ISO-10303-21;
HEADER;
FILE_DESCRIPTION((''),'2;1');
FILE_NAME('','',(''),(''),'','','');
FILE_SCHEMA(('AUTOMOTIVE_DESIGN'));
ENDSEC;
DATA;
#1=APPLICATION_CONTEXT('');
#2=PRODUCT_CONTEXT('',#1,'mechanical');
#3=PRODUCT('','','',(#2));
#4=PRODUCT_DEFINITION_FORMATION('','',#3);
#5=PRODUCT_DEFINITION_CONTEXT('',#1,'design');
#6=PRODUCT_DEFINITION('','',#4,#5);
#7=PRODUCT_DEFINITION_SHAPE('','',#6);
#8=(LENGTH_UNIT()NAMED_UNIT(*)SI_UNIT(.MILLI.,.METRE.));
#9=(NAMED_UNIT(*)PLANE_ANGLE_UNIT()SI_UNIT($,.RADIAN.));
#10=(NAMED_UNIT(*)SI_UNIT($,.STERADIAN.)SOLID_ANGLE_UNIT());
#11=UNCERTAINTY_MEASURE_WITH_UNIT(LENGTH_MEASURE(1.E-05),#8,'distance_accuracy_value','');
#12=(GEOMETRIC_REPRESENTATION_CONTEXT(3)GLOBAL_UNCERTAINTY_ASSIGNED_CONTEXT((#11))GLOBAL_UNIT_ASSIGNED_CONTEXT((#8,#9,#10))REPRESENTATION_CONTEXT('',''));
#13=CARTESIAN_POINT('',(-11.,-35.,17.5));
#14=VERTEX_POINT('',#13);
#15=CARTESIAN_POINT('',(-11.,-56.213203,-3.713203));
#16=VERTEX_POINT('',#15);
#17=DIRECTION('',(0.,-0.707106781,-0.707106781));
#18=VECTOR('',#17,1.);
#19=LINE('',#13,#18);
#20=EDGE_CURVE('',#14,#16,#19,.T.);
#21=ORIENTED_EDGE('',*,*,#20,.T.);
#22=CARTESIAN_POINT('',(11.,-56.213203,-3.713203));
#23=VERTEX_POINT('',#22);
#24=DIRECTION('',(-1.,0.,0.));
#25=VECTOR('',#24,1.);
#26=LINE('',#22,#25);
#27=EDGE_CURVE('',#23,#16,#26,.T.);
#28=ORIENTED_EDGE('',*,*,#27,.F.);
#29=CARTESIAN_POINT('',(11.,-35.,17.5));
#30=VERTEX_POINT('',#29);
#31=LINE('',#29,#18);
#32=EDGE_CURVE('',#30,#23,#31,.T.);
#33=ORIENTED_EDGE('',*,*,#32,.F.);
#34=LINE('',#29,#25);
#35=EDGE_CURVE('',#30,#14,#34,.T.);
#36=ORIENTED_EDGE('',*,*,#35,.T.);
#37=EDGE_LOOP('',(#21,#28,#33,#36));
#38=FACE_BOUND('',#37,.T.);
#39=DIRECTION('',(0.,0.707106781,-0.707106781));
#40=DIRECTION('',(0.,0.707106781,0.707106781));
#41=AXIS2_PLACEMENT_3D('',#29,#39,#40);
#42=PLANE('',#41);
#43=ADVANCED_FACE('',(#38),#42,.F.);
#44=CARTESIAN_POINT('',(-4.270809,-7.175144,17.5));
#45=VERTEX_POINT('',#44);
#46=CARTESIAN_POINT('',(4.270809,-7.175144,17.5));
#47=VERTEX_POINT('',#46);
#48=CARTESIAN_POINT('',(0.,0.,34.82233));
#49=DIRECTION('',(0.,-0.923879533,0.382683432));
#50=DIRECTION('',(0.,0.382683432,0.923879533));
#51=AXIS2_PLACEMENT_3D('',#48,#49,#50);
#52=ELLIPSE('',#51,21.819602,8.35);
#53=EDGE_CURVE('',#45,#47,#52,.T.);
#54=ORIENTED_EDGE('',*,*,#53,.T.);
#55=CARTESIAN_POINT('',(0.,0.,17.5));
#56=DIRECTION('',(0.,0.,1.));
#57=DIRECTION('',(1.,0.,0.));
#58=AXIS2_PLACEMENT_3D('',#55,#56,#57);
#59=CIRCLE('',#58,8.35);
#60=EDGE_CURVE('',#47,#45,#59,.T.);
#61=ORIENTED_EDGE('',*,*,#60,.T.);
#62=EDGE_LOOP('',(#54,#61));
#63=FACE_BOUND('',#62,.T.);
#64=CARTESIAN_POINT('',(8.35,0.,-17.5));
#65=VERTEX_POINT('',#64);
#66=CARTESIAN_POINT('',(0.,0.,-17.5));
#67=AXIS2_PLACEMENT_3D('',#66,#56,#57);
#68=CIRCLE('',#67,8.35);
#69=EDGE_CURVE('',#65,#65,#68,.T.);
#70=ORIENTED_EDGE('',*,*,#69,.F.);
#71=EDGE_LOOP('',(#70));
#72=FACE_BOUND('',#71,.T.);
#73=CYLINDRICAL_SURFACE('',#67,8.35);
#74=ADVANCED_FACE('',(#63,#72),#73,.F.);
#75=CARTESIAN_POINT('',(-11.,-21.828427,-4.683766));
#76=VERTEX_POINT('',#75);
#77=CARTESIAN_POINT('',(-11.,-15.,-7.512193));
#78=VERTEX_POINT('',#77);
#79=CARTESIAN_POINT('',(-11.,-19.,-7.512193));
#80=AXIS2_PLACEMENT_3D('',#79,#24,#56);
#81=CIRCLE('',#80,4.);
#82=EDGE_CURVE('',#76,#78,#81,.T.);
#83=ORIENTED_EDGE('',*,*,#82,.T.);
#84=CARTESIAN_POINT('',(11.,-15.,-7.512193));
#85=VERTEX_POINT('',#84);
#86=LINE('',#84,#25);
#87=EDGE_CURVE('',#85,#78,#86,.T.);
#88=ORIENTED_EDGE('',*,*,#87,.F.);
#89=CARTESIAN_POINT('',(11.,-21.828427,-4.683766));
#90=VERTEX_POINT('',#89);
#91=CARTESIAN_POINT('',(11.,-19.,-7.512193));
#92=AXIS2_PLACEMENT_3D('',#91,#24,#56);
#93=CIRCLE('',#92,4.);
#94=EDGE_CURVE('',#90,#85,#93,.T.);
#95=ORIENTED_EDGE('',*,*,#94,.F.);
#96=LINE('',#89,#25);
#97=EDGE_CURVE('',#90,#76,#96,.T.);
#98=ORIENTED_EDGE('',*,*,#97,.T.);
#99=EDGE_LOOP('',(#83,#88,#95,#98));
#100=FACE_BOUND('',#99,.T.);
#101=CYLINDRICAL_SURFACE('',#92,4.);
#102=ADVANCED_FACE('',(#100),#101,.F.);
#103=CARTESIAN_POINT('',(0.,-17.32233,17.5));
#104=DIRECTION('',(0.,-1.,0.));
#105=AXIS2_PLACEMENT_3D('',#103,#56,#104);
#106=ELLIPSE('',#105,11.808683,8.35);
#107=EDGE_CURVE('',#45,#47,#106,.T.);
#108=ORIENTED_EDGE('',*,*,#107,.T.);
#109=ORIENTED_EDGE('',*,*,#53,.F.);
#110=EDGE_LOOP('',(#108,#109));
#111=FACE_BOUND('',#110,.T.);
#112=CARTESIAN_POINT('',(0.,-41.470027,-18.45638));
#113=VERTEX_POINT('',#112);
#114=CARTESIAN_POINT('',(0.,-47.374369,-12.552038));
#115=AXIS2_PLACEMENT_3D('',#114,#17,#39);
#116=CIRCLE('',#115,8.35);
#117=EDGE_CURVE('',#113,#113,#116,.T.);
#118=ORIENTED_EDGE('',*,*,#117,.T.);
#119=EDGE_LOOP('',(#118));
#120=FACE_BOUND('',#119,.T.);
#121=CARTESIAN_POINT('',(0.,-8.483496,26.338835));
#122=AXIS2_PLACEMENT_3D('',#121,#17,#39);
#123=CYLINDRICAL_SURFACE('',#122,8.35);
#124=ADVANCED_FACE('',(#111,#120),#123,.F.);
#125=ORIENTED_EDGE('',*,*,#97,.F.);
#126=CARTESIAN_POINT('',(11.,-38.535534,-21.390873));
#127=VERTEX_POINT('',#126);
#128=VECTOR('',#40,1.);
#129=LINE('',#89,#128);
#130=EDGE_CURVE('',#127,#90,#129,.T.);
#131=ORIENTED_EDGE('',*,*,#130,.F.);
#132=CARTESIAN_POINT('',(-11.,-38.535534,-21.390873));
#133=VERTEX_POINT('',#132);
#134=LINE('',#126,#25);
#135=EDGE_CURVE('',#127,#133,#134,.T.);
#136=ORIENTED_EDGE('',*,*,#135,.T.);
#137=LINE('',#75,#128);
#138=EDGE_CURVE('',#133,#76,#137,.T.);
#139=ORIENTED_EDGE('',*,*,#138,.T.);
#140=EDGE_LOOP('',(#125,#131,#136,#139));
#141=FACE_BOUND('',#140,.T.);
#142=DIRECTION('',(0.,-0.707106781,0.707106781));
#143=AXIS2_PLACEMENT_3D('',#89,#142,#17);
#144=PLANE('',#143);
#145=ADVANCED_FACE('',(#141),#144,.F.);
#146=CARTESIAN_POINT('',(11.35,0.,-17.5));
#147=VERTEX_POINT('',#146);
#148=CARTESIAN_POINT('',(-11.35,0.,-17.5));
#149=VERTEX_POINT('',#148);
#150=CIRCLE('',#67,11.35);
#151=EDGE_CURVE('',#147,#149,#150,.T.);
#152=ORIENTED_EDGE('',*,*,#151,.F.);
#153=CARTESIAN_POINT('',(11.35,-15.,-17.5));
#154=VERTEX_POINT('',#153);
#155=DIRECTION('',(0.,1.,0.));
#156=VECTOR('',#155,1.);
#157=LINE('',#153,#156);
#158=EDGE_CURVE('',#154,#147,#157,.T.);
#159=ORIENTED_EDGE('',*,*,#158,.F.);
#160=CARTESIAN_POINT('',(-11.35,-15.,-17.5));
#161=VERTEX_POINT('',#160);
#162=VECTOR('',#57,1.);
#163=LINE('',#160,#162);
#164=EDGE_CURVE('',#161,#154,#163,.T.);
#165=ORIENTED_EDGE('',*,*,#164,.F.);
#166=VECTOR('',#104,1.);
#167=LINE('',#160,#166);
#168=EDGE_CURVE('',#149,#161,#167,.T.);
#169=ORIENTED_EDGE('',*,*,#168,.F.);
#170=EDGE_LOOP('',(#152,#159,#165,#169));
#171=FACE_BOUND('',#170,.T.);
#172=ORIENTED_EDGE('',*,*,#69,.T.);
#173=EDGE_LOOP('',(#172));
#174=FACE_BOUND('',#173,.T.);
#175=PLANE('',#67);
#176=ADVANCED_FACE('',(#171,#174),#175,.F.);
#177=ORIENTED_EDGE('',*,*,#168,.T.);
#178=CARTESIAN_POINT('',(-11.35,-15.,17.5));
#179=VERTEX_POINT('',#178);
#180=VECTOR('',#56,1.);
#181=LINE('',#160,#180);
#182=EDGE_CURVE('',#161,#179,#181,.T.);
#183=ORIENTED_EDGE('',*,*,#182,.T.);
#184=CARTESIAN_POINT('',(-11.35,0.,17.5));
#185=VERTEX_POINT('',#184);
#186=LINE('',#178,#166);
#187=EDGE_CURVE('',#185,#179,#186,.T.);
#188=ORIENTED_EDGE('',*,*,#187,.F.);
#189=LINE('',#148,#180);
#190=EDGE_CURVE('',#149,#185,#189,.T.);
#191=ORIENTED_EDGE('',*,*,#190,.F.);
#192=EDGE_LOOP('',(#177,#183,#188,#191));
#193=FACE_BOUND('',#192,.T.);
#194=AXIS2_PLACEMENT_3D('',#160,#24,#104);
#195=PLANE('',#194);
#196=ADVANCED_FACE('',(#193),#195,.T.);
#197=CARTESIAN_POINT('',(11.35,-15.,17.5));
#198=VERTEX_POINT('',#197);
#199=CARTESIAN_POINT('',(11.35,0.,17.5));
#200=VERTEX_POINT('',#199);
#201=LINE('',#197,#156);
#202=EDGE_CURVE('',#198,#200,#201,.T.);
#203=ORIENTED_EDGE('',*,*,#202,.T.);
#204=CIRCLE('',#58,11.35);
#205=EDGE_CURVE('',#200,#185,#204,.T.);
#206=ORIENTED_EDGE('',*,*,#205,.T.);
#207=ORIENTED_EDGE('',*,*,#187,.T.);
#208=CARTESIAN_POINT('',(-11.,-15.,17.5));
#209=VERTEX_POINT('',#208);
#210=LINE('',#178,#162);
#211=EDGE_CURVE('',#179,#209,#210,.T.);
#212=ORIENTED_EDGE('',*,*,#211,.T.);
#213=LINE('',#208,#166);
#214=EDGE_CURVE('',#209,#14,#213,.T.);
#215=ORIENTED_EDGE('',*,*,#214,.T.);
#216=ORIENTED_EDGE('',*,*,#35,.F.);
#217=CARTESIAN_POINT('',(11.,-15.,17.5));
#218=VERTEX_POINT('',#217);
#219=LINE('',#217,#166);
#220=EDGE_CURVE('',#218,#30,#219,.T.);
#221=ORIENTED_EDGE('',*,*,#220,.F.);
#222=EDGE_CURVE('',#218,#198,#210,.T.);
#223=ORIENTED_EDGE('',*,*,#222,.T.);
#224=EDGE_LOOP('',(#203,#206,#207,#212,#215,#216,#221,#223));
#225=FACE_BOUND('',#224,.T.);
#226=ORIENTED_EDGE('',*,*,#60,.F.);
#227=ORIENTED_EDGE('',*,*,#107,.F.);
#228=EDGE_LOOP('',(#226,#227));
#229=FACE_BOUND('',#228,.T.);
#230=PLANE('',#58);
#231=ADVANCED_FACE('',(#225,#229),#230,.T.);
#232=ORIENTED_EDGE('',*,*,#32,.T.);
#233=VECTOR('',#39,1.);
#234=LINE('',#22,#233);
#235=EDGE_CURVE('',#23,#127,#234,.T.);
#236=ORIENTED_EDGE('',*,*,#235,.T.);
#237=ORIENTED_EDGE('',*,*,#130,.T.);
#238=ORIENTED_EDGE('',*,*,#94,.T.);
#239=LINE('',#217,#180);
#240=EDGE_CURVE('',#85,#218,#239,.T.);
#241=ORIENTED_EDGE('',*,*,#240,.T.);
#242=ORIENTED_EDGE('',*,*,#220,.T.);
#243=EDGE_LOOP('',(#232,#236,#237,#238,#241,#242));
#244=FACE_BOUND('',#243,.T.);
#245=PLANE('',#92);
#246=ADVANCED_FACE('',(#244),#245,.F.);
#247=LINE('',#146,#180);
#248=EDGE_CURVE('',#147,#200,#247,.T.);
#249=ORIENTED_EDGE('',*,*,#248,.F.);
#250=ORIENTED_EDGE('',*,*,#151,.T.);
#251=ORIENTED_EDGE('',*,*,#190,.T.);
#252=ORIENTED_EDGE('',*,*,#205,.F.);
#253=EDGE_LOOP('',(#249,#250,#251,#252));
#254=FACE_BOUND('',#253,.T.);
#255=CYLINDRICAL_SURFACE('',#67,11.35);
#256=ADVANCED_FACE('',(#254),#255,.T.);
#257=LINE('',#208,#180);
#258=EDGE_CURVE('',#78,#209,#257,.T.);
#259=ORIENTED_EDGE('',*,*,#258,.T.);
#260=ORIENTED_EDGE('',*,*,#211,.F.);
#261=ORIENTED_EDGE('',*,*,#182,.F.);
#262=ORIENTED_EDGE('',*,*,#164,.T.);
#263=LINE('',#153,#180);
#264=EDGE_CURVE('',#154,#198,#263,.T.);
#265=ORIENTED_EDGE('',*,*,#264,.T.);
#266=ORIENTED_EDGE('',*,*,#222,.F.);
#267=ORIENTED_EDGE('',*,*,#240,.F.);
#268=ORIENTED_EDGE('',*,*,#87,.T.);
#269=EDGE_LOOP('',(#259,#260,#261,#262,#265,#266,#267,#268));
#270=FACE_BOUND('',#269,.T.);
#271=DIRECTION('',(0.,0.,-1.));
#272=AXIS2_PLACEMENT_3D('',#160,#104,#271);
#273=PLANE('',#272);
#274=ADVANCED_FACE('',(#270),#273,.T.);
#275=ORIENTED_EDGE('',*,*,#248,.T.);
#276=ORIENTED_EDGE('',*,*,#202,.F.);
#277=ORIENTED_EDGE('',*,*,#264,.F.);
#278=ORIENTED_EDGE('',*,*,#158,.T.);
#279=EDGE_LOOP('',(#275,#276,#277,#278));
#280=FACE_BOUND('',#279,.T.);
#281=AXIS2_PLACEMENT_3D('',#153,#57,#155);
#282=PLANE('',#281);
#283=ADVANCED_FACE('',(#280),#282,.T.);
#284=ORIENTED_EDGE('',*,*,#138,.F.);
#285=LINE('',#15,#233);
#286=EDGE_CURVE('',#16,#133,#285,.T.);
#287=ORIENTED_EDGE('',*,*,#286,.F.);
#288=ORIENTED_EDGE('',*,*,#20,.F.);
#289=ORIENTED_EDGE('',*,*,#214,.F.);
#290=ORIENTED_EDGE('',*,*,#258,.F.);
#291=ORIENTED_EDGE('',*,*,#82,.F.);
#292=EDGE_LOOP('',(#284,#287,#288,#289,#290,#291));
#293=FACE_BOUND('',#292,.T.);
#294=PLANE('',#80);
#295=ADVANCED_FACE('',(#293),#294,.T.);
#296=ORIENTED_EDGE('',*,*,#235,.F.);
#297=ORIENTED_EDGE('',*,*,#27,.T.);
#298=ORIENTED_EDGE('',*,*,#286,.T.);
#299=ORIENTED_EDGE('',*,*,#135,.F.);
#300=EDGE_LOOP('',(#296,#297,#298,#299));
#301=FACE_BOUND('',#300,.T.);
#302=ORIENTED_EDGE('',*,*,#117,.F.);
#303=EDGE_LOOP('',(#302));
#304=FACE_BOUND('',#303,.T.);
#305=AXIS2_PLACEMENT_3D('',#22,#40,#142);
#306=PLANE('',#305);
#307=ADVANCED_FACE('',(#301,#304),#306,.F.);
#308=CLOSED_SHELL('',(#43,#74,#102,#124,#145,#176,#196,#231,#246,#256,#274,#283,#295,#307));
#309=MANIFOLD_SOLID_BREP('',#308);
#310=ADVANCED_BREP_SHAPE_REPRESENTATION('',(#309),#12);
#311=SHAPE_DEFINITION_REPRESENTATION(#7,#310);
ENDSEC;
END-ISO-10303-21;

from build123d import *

# Parameters (mm, degrees)
CROQUIS1_R              = 8.35
SALIENTE_EXTRUIR1_DEPTH = 17.5
SALIENTE_EXTRUIR2_DEPTH = 11
CROQUIS4_R              = 8.35
CORTAR_EXTRUIR1_DEPTH   = 55


with BuildPart() as part:
    # Croquis1 → Saliente-Extruir1 (new, symmetric)
    with BuildSketch(Plane.XY):
        with BuildLine():
            Line((-11.35, -15), (11.35, -15))
            Line((11.35, -15), (11.35, 0))
            ThreePointArc((11.35, 0), (0, 11.35), (-11.35, 0))
            Line((-11.35, 0), (-11.35, -15))
        make_face()
        Circle(CROQUIS1_R, mode=Mode.SUBTRACT)
    extrude(amount=SALIENTE_EXTRUIR1_DEPTH, both=True)

    # Croquis2 → Saliente-Extruir2 (add, symmetric)
    with BuildSketch(Plane(origin=(0, 0, 0), x_dir=(0, 0, -1), z_dir=(1, 0, 0))):
        with BuildLine():
            Line((-17.5, -15), (-17.5, -35))
            Line((-17.5, -35), (3.713203436, -56.213203436))
            Line((3.713203436, -56.213203436), (21.390872965, -38.535533906))
            Line((21.390872965, -38.535533906), (4.683766184, -21.828427125))
            ThreePointArc((4.683766184, -21.828427125), (3.816675179, -17.469266271), (7.512193309, -15))
            Line((7.512193309, -15), (-17.5, -15))
        make_face()
    extrude(amount=SALIENTE_EXTRUIR2_DEPTH, both=True)

    # Croquis4 → Cortar-Extruir1 (cut)
    with BuildSketch(Plane(origin=(0, -29.963203436, -29.963203436), x_dir=(-1, 0, 0), z_dir=(0, -0.7071067811865459, -0.7071067811865492))):
        with Locations(Location((0, -24.623106012, 0), (0, 0, 90))):
            Circle(CROQUIS4_R)
    extrude(amount=-CORTAR_EXTRUIR1_DEPTH, mode=Mode.SUBTRACT)


solid = part.part
